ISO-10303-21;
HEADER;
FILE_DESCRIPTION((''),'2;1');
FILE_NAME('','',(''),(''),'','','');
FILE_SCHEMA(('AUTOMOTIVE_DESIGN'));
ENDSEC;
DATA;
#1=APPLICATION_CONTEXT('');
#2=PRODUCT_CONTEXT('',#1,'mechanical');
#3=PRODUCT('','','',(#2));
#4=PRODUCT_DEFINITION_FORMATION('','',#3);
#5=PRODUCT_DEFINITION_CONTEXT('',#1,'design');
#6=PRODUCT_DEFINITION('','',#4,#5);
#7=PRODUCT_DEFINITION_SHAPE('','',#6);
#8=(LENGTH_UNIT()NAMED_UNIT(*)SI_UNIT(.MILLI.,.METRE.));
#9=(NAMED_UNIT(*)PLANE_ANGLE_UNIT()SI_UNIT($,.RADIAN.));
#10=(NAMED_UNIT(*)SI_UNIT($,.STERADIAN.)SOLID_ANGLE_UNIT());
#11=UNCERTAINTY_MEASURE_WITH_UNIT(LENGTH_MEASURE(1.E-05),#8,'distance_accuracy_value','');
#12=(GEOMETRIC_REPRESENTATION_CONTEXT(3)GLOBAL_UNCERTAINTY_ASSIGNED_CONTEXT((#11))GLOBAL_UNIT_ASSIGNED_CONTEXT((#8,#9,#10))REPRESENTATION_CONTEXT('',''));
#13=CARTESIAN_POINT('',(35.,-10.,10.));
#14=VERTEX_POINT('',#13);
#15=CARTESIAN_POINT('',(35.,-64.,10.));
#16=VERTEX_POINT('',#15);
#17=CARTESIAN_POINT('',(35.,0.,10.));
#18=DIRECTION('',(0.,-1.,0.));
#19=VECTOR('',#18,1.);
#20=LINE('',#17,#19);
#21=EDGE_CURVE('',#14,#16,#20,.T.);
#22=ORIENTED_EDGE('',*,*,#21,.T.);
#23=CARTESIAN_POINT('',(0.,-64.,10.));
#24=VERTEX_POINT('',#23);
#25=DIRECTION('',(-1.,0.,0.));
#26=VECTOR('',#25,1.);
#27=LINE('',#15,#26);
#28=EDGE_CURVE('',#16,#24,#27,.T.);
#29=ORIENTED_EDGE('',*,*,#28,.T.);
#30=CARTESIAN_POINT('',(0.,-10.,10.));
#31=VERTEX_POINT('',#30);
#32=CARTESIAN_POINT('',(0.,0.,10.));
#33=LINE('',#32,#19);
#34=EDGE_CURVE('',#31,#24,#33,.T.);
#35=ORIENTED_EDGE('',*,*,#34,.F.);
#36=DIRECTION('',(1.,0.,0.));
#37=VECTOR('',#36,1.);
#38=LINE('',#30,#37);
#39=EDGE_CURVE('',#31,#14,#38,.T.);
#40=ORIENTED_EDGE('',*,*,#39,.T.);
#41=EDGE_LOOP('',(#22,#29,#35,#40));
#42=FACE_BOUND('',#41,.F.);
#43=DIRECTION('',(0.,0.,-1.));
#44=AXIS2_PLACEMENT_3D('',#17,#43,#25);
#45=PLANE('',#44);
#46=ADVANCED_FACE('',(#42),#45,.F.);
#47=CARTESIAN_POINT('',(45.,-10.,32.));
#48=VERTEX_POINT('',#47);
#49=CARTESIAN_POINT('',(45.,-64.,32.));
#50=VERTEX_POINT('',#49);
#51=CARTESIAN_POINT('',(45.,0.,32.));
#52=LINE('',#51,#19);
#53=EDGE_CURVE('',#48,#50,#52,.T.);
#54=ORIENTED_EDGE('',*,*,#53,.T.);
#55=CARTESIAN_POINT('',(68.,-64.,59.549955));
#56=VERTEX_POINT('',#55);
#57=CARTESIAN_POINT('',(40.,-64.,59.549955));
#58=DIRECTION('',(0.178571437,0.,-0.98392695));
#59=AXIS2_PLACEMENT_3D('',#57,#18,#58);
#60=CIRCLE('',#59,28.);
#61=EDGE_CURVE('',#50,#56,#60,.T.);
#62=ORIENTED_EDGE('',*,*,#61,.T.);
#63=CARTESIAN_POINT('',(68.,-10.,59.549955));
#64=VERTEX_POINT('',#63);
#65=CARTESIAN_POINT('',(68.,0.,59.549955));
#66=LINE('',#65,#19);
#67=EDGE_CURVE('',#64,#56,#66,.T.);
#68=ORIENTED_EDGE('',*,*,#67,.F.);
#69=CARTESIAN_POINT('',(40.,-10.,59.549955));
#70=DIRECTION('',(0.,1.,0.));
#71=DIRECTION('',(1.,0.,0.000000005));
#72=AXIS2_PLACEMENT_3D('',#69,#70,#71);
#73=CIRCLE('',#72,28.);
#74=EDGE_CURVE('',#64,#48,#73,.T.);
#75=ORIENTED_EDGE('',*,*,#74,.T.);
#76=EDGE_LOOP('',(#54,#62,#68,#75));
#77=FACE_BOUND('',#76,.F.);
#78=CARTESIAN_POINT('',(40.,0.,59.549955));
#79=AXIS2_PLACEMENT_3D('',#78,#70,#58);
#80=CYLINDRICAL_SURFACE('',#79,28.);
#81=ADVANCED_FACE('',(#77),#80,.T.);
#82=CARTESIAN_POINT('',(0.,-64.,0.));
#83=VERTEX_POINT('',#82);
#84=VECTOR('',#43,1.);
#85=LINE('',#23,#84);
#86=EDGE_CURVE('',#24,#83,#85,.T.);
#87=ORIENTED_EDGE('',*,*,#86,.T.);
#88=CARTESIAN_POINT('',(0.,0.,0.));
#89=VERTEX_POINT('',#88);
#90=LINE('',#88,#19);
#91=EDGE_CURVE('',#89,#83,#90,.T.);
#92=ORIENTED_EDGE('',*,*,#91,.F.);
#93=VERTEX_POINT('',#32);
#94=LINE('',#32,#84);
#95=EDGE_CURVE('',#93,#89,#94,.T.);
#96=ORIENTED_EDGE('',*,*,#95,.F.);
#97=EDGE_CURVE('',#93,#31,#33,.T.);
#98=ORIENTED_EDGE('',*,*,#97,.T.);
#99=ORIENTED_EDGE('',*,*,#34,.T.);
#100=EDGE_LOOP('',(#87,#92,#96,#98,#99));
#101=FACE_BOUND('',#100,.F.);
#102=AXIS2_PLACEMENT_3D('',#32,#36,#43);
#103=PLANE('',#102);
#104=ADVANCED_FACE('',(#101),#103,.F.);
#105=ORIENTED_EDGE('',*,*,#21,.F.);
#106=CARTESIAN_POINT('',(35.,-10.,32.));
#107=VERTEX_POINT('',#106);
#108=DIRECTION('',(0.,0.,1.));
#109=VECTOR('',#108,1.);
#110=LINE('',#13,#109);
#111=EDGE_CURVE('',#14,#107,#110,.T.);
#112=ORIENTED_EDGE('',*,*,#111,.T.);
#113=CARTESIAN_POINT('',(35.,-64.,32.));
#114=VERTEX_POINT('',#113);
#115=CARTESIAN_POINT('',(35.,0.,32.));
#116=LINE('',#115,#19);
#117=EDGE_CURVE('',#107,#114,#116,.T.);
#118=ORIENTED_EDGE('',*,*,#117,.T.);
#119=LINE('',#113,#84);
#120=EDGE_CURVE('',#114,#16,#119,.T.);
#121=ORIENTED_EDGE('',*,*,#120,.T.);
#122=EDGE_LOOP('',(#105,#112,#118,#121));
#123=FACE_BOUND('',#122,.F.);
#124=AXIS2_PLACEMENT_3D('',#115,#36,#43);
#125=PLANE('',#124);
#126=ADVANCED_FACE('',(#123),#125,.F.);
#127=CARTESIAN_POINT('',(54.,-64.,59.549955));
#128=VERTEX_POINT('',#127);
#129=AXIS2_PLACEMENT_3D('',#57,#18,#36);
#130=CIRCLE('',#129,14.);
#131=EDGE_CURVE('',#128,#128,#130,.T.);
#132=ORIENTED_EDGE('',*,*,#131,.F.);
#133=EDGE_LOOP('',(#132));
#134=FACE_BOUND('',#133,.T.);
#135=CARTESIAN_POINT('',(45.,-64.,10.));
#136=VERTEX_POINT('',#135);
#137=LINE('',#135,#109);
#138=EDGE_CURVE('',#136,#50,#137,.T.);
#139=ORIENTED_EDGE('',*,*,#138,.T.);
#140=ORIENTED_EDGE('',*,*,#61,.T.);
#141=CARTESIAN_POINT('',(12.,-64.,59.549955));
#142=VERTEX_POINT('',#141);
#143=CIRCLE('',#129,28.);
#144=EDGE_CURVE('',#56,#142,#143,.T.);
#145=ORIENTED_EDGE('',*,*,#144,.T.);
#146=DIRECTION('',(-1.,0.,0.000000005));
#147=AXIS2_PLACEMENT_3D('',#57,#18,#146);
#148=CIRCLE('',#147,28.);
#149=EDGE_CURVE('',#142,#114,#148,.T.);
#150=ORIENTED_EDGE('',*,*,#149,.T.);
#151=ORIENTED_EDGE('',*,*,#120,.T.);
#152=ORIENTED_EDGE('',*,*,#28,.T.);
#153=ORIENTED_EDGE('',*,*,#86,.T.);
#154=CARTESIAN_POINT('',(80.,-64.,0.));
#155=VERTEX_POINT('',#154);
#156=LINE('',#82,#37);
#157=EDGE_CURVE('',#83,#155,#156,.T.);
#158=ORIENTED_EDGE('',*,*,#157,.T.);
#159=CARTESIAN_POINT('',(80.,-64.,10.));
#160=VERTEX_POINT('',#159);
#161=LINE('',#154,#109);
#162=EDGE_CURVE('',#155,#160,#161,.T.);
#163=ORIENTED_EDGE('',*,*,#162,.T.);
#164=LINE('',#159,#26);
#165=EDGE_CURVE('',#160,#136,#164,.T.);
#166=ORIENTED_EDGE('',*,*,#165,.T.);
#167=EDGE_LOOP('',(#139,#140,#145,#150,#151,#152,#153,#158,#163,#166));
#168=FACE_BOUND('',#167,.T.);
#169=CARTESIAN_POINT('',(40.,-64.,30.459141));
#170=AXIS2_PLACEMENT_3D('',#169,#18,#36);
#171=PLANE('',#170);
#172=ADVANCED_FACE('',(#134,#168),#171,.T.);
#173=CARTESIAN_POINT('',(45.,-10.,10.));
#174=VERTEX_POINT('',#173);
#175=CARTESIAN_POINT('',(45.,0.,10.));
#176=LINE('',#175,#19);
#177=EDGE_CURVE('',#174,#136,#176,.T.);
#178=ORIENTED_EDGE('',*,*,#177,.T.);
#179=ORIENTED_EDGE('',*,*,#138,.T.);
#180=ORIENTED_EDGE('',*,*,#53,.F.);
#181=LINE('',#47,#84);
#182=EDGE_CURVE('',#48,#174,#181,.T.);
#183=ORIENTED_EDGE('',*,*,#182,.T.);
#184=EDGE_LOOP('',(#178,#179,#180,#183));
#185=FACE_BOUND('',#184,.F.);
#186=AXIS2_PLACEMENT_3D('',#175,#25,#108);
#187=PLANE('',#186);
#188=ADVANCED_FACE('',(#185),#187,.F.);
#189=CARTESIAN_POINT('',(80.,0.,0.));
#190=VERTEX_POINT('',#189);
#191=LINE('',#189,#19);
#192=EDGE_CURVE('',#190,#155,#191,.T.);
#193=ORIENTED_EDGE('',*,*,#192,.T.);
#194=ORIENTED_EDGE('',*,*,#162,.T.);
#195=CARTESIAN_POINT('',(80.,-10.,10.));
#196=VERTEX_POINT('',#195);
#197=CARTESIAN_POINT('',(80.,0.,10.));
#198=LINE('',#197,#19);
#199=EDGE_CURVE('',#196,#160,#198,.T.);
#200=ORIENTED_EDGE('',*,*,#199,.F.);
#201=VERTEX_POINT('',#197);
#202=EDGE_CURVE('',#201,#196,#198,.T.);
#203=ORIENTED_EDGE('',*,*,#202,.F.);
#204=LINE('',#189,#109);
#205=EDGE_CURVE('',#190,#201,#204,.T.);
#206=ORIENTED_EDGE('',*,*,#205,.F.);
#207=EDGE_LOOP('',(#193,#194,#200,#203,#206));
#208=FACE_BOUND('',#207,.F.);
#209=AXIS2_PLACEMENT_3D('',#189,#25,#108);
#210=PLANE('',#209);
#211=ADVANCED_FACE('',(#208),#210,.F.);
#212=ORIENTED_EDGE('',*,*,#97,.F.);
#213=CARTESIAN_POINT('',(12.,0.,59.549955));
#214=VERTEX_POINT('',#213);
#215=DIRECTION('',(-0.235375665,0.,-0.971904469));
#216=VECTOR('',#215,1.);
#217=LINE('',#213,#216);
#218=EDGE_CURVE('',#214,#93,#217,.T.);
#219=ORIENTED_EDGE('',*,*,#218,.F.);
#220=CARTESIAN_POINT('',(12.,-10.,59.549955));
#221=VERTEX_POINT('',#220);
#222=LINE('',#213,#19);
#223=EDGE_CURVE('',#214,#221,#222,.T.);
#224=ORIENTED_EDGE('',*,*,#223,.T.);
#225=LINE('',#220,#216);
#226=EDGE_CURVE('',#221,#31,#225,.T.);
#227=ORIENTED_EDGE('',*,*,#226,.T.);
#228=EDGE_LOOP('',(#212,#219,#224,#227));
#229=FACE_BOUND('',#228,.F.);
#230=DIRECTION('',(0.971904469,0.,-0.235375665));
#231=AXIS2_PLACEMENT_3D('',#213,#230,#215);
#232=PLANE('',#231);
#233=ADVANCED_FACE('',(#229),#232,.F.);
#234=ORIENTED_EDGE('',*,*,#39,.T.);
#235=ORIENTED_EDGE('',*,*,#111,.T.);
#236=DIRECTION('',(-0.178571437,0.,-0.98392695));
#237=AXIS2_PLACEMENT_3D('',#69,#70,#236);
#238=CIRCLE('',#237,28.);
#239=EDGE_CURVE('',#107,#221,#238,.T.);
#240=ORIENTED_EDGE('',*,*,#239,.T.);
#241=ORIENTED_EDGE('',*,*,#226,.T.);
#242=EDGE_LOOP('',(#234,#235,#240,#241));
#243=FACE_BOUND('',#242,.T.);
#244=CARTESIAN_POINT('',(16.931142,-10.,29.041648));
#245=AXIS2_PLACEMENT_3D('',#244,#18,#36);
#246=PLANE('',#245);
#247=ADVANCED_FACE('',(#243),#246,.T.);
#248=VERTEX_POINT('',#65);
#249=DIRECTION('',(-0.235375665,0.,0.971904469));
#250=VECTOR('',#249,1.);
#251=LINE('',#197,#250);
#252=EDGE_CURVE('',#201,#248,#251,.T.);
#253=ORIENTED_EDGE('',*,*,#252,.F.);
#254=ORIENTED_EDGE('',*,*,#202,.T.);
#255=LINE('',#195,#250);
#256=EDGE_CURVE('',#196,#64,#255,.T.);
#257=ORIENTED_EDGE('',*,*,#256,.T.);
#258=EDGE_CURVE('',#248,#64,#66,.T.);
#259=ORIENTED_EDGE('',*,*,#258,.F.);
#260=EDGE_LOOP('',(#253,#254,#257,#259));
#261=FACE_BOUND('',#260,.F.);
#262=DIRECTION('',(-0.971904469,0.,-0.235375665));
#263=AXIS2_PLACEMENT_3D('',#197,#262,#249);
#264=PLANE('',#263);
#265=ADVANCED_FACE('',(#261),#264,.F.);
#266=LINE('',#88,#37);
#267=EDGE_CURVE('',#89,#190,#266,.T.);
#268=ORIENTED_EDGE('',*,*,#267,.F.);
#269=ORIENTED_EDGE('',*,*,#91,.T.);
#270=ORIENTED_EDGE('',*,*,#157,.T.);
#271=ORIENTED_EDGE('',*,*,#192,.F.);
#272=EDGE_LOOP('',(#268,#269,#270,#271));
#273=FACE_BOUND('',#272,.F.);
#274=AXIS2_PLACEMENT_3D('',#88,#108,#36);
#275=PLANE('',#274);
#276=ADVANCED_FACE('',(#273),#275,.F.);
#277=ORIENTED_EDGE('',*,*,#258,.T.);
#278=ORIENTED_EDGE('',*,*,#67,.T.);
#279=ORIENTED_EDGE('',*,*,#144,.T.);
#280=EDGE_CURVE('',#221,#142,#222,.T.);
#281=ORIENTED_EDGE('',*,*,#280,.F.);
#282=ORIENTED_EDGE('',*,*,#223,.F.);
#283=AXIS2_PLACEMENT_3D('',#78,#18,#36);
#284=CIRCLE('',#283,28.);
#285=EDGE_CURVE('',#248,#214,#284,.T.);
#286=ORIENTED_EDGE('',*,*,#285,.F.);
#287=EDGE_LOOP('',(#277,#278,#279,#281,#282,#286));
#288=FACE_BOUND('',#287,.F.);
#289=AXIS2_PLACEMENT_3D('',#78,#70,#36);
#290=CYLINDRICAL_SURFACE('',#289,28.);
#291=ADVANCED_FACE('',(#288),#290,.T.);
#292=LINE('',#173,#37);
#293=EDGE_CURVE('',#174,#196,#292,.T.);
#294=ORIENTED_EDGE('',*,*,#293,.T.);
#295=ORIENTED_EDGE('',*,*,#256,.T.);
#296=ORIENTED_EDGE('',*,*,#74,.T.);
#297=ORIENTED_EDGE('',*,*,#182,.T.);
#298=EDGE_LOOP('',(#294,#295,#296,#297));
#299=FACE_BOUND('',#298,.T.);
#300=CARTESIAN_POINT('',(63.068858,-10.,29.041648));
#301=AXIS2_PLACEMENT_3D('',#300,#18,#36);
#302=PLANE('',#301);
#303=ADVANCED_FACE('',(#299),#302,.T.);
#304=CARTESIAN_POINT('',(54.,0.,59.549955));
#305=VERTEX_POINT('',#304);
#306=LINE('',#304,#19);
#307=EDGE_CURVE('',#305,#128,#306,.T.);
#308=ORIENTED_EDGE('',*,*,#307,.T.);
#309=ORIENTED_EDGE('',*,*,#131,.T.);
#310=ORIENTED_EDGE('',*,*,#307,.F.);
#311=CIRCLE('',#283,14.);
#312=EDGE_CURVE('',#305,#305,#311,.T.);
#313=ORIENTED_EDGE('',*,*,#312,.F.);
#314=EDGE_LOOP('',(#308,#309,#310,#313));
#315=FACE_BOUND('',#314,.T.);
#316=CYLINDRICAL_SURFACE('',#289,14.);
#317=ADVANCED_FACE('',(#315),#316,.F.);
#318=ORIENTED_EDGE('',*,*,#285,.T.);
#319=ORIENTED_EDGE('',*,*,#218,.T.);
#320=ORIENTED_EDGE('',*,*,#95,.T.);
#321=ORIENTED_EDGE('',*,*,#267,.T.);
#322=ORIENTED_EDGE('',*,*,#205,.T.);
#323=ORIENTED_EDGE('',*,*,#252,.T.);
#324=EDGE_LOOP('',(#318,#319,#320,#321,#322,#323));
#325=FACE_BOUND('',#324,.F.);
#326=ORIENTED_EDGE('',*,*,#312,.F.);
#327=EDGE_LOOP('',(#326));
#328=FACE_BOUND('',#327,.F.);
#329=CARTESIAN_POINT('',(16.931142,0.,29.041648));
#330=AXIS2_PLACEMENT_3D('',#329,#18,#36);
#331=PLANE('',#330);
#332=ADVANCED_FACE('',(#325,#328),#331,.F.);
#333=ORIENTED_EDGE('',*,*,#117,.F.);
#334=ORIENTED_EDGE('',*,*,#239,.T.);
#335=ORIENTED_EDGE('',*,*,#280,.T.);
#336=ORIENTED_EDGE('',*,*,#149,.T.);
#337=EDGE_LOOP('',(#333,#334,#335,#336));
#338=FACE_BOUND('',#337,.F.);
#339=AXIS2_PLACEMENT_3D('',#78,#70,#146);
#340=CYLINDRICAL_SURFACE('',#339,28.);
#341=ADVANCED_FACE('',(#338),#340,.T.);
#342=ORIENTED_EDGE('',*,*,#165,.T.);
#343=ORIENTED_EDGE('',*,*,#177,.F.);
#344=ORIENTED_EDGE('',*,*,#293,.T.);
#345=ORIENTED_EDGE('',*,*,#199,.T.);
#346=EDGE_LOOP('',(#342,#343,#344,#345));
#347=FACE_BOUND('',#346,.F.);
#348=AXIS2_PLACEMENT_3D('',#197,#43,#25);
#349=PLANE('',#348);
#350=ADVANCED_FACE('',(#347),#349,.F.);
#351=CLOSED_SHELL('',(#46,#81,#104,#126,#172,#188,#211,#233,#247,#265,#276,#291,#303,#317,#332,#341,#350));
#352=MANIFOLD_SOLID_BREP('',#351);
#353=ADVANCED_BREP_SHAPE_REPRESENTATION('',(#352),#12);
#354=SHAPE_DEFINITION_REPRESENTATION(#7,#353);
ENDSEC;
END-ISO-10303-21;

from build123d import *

# Parameters (mm, degrees)
F0_R     = 14
F1_DEPTH = 64
F2_DEPTH = 10


with BuildPart() as f1:
    # F0 (on Front) → F1 (new body)
    with BuildSketch(Plane.XZ):
        with BuildLine():
            Line((0, 10), (0, 0))
            Line((0, 0), (80, 0))
            Line((80, 0), (80, 10))
            Line((80, 10), (45, 10))
            Line((45, 10), (45, 32))
            ThreePointArc((45, 32), (61.494185, 41.605596), (68, 59.549955))
            ThreePointArc((68, 59.549955), (40, 87.549955), (12, 59.549955))
            ThreePointArc((12, 59.549955), (18.505815, 41.605596), (35, 32))
            Line((35, 32), (35, 10))
            Line((35, 10), (0, 10))
        make_face()
        with Locations((40, 59.549955)):
            Circle(F0_R, mode=Mode.SUBTRACT)
    extrude(amount=F1_DEPTH)

    # F0 (on Front) → F2 (join)
    with BuildSketch(Plane.XZ):
        with BuildLine():
            Line((12, 59.549955), (0, 10))
            Line((0, 10), (35, 10))
            Line((35, 10), (35, 32))
            ThreePointArc((35, 32), (18.505815, 41.605596), (12, 59.549955))
        make_face()
        with BuildLine():
            Line((45, 10), (80, 10))
            Line((80, 10), (68, 59.549955))
            ThreePointArc((68, 59.549955), (61.494185, 41.605596), (45, 32))
            Line((45, 32), (45, 10))
        make_face()
    extrude(amount=F2_DEPTH)


solid = f1.part
